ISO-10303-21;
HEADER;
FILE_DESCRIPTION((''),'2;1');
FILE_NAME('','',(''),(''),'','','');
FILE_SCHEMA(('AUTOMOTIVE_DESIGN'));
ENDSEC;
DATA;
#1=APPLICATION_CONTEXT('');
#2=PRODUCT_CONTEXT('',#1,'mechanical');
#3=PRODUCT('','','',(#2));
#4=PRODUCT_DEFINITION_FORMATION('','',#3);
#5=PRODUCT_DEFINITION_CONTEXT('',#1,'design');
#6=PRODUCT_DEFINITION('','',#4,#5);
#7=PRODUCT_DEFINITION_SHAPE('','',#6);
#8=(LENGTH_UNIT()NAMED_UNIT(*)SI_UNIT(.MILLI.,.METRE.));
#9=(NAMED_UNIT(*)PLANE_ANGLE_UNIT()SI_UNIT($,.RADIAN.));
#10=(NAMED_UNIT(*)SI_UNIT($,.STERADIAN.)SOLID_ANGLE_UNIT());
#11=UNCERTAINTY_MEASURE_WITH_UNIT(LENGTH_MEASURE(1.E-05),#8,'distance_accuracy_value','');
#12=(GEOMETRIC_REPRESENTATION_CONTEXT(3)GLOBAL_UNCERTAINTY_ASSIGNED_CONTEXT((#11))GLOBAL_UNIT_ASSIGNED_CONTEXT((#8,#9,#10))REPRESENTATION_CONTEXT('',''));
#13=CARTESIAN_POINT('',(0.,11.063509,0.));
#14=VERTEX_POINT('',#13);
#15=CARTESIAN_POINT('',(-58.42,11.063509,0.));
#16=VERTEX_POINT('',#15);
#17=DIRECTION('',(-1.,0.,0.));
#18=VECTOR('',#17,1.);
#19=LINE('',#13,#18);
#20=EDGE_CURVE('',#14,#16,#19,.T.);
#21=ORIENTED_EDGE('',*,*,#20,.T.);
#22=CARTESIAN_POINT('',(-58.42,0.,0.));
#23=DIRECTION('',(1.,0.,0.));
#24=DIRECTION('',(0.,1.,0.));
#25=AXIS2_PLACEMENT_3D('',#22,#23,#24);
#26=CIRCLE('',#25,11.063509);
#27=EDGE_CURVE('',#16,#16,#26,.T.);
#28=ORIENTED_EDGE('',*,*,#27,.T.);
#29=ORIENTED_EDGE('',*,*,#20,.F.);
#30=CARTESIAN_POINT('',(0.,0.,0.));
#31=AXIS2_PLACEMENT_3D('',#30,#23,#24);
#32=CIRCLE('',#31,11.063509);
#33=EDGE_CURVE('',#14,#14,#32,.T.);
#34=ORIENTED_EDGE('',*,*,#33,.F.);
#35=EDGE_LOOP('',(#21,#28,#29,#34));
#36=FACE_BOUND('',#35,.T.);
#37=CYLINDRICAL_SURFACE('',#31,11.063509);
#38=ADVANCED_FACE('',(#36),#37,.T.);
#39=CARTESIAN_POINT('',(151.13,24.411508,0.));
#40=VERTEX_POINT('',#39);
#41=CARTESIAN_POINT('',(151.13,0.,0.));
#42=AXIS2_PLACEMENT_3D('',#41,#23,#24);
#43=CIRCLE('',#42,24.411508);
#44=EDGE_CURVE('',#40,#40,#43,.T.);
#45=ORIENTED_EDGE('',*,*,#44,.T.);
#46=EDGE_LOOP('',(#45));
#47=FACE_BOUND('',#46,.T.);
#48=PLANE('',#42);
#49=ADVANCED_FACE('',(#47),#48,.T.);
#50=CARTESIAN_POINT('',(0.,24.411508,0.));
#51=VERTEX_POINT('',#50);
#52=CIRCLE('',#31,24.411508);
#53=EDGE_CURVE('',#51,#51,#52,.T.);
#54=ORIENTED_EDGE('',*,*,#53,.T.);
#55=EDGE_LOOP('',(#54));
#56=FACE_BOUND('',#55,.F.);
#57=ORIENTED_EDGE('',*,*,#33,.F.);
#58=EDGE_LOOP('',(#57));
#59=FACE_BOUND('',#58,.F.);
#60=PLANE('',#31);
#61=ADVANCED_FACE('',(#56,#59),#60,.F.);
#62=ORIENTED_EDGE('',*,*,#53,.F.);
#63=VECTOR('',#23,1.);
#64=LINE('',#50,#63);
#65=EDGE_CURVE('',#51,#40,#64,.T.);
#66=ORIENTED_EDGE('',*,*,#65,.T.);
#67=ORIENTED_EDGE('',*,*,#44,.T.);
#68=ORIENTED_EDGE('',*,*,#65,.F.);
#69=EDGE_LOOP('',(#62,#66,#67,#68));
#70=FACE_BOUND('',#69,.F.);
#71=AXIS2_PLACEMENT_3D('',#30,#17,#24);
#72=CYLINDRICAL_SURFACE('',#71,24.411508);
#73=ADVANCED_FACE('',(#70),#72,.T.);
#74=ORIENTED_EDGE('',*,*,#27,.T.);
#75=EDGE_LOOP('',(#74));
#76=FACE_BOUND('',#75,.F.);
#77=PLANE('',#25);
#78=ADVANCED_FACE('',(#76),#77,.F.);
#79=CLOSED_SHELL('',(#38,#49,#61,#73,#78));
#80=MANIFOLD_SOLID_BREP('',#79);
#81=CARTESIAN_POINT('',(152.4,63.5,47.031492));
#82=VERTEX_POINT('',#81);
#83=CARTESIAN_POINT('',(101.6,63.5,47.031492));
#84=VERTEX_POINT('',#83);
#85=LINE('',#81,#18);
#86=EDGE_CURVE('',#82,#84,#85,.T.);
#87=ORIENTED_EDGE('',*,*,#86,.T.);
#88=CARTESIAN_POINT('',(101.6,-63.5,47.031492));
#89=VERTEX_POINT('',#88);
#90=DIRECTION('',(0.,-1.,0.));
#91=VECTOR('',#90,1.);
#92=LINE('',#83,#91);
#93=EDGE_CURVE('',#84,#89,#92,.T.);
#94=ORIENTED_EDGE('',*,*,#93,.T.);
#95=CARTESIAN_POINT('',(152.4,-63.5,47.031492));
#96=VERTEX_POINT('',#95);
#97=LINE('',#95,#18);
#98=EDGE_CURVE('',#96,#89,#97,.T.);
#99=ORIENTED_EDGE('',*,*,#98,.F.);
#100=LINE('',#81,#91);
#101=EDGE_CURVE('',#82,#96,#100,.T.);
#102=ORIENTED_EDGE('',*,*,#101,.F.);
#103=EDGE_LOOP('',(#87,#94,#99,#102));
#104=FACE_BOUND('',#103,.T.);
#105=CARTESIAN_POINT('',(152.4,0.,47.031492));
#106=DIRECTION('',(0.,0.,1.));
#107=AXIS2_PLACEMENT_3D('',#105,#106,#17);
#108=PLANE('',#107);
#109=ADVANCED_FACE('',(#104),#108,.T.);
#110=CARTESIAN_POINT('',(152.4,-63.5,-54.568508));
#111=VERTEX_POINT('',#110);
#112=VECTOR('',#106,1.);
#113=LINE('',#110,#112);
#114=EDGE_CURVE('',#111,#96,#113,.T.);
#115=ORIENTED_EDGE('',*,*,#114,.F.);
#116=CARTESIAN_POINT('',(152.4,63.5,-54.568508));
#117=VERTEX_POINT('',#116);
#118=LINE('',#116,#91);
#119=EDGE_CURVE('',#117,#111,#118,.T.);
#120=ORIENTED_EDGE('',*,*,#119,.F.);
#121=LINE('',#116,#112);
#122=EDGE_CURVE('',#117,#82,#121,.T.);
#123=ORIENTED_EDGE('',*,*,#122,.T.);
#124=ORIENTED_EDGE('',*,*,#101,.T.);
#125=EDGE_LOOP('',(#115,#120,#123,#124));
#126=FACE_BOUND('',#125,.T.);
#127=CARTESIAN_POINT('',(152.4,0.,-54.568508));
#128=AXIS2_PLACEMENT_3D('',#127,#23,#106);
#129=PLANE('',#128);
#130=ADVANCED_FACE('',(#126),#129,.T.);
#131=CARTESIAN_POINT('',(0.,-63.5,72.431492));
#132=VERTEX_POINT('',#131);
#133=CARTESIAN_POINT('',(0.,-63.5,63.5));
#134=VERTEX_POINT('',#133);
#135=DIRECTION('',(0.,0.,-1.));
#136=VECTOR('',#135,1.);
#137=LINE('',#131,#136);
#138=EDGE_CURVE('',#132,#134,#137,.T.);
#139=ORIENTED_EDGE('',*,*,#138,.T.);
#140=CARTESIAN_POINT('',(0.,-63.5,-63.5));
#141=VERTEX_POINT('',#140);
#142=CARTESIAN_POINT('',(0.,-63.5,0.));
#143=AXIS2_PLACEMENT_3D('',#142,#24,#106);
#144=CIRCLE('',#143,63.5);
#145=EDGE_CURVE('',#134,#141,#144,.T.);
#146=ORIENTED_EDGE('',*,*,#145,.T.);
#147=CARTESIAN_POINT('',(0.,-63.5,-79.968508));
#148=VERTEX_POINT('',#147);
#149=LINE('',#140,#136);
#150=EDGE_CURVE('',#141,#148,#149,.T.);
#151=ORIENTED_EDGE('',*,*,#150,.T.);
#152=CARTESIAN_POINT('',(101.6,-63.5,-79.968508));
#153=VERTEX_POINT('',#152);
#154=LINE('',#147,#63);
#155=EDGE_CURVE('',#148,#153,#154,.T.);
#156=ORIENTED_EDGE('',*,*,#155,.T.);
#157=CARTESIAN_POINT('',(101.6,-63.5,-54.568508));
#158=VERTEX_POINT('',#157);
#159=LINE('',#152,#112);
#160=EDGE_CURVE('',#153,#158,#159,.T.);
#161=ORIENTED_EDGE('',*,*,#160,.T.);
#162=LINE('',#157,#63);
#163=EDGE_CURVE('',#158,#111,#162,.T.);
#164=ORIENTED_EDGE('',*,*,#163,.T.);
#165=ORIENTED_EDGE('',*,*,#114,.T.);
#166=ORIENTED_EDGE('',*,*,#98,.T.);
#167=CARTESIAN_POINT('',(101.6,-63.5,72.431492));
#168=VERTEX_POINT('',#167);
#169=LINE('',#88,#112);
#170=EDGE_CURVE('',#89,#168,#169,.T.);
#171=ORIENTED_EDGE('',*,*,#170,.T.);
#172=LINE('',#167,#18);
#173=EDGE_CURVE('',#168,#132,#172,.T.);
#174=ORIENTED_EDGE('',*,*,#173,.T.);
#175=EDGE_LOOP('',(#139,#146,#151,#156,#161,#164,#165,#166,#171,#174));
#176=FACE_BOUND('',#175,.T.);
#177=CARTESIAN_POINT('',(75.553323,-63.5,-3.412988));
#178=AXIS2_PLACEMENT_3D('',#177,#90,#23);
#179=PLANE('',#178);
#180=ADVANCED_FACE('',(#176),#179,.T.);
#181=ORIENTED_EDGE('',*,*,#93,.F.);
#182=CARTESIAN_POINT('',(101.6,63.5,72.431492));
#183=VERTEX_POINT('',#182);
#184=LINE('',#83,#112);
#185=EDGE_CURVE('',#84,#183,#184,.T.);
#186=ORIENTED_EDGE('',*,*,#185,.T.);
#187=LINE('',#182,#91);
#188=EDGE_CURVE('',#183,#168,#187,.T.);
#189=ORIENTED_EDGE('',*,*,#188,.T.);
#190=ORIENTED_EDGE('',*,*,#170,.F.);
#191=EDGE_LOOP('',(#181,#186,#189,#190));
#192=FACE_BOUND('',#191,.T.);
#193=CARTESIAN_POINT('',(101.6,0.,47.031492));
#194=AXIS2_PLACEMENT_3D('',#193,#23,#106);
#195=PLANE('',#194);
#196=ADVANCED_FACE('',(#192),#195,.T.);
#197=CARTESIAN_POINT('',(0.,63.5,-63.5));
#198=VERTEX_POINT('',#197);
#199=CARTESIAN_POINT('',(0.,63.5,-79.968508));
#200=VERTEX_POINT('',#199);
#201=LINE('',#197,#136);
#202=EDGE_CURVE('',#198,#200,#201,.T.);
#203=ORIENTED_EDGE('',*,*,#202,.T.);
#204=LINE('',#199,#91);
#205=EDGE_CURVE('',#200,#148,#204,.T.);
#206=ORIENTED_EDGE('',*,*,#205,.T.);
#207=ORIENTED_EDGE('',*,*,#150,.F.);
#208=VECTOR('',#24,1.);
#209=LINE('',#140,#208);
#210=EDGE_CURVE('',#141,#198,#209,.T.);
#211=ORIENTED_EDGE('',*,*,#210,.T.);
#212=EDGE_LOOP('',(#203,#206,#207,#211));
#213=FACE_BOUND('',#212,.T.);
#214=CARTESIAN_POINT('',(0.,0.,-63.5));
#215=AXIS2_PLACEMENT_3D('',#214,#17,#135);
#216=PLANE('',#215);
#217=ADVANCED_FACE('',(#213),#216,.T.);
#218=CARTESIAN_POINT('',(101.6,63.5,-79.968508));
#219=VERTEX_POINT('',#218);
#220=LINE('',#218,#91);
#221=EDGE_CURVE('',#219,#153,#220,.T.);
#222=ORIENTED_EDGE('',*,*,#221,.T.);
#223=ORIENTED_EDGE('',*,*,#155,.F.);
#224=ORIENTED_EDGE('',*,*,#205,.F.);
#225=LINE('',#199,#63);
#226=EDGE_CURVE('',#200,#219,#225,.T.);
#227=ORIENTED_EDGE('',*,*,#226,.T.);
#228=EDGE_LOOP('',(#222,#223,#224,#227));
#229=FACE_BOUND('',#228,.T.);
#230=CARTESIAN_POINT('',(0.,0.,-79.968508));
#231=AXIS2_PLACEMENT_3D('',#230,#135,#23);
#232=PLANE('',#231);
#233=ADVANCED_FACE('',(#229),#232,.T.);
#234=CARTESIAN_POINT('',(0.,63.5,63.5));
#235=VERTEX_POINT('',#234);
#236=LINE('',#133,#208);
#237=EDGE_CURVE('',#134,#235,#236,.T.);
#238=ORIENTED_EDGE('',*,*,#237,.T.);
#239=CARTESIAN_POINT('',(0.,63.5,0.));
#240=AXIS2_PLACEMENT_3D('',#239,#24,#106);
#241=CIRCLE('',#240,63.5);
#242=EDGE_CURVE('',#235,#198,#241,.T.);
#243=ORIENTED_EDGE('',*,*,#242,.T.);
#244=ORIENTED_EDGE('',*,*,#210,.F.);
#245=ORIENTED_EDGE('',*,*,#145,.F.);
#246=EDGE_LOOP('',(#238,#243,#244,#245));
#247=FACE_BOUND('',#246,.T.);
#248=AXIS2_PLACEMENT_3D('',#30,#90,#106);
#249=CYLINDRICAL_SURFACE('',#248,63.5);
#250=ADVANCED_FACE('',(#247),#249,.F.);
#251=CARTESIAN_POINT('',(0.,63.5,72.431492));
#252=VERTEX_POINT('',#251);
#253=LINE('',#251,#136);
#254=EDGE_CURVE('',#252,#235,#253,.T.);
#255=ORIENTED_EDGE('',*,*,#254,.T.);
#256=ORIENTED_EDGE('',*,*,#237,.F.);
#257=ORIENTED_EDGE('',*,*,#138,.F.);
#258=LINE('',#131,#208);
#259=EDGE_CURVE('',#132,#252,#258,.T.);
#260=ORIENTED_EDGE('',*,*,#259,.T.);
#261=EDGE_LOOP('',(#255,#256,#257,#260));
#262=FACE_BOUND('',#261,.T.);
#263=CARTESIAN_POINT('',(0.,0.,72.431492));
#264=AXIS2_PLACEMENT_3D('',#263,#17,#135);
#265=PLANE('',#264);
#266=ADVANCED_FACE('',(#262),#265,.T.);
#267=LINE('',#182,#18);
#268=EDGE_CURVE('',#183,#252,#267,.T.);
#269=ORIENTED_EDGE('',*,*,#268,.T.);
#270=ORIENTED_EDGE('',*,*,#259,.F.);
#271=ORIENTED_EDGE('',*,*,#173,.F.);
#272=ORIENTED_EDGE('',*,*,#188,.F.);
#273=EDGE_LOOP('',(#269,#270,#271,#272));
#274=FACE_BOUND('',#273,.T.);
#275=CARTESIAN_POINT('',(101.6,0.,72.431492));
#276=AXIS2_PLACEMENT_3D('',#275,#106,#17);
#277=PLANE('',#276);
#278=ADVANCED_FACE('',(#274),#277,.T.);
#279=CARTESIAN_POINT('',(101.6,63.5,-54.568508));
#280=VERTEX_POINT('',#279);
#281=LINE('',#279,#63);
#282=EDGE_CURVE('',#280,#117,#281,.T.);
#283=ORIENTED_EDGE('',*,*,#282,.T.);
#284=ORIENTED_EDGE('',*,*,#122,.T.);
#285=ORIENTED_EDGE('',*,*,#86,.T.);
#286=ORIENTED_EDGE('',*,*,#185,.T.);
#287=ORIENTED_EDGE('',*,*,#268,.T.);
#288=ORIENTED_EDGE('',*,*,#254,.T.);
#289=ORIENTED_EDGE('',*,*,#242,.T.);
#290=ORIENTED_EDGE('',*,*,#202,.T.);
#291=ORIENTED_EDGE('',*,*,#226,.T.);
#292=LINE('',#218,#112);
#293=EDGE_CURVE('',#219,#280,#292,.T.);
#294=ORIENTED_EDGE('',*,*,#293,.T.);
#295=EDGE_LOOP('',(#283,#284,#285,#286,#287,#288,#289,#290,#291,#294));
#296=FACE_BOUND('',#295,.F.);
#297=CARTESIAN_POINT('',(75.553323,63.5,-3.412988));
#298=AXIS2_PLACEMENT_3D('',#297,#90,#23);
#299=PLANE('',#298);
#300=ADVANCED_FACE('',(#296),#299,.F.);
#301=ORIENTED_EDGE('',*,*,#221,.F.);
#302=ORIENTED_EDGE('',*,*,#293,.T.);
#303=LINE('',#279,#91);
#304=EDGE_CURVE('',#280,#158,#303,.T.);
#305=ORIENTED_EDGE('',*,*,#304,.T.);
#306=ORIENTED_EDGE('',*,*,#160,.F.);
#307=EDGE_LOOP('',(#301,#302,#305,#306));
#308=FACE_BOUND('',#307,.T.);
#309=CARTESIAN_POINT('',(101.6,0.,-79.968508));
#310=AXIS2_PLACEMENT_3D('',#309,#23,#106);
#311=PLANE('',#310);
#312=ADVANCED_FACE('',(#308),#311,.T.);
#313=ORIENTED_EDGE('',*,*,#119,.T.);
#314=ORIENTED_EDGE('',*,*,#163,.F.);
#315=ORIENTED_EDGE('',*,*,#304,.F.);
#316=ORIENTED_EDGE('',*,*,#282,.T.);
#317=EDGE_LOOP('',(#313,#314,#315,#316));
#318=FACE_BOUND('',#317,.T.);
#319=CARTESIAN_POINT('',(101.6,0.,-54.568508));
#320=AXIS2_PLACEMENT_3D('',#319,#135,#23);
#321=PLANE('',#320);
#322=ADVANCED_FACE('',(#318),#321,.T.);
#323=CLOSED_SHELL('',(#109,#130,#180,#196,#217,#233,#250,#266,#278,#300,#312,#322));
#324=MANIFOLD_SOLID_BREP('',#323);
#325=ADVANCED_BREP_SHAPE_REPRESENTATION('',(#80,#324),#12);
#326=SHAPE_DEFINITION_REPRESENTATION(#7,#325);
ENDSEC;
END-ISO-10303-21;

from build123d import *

# Parameters (mm, degrees)
F1_DEPTH = 63.5
F2_R     = 24.4115083372
F3_DEPTH = 151.13
F4_R     = 11.0635092774
F5_DEPTH = 58.42


with BuildPart() as f1:
    # F0 (on Front) → F1 (new body, symmetric)
    with BuildSketch(Plane.XZ):
        with BuildLine():
            Line((0, -63.5), (0, -79.9685076945))
            Line((0, -79.9685076945), (101.6, -79.9685076945))
            Line((101.6, -79.9685076945), (101.6, -54.5685076945))
            Line((101.6, -54.5685076945), (152.4, -54.5685076945))
            Line((152.4, -54.5685076945), (152.4, 47.0314923055))
            Line((152.4, 47.0314923055), (101.6, 47.0314923055))
            Line((101.6, 47.0314923055), (101.6, 72.4314923055))
            Line((101.6, 72.4314923055), (0, 72.4314923055))
            Line((0, 72.4314923055), (0, 63.5))
            ThreePointArc((0, 63.5), (63.5, 0), (0, -63.5))
        make_face()
    extrude(amount=F1_DEPTH, both=True)


with BuildPart() as f3:
    # F2 (on Right) → F3 (new body)
    with BuildSketch(Plane.YZ):
        Circle(F2_R)
    extrude(amount=F3_DEPTH)

    # F4 (on Right) → F5 (join)
    with BuildSketch(Plane.YZ):
        Circle(F4_R)
    extrude(amount=-F5_DEPTH)


solid = Compound([f1.part, f3.part])
